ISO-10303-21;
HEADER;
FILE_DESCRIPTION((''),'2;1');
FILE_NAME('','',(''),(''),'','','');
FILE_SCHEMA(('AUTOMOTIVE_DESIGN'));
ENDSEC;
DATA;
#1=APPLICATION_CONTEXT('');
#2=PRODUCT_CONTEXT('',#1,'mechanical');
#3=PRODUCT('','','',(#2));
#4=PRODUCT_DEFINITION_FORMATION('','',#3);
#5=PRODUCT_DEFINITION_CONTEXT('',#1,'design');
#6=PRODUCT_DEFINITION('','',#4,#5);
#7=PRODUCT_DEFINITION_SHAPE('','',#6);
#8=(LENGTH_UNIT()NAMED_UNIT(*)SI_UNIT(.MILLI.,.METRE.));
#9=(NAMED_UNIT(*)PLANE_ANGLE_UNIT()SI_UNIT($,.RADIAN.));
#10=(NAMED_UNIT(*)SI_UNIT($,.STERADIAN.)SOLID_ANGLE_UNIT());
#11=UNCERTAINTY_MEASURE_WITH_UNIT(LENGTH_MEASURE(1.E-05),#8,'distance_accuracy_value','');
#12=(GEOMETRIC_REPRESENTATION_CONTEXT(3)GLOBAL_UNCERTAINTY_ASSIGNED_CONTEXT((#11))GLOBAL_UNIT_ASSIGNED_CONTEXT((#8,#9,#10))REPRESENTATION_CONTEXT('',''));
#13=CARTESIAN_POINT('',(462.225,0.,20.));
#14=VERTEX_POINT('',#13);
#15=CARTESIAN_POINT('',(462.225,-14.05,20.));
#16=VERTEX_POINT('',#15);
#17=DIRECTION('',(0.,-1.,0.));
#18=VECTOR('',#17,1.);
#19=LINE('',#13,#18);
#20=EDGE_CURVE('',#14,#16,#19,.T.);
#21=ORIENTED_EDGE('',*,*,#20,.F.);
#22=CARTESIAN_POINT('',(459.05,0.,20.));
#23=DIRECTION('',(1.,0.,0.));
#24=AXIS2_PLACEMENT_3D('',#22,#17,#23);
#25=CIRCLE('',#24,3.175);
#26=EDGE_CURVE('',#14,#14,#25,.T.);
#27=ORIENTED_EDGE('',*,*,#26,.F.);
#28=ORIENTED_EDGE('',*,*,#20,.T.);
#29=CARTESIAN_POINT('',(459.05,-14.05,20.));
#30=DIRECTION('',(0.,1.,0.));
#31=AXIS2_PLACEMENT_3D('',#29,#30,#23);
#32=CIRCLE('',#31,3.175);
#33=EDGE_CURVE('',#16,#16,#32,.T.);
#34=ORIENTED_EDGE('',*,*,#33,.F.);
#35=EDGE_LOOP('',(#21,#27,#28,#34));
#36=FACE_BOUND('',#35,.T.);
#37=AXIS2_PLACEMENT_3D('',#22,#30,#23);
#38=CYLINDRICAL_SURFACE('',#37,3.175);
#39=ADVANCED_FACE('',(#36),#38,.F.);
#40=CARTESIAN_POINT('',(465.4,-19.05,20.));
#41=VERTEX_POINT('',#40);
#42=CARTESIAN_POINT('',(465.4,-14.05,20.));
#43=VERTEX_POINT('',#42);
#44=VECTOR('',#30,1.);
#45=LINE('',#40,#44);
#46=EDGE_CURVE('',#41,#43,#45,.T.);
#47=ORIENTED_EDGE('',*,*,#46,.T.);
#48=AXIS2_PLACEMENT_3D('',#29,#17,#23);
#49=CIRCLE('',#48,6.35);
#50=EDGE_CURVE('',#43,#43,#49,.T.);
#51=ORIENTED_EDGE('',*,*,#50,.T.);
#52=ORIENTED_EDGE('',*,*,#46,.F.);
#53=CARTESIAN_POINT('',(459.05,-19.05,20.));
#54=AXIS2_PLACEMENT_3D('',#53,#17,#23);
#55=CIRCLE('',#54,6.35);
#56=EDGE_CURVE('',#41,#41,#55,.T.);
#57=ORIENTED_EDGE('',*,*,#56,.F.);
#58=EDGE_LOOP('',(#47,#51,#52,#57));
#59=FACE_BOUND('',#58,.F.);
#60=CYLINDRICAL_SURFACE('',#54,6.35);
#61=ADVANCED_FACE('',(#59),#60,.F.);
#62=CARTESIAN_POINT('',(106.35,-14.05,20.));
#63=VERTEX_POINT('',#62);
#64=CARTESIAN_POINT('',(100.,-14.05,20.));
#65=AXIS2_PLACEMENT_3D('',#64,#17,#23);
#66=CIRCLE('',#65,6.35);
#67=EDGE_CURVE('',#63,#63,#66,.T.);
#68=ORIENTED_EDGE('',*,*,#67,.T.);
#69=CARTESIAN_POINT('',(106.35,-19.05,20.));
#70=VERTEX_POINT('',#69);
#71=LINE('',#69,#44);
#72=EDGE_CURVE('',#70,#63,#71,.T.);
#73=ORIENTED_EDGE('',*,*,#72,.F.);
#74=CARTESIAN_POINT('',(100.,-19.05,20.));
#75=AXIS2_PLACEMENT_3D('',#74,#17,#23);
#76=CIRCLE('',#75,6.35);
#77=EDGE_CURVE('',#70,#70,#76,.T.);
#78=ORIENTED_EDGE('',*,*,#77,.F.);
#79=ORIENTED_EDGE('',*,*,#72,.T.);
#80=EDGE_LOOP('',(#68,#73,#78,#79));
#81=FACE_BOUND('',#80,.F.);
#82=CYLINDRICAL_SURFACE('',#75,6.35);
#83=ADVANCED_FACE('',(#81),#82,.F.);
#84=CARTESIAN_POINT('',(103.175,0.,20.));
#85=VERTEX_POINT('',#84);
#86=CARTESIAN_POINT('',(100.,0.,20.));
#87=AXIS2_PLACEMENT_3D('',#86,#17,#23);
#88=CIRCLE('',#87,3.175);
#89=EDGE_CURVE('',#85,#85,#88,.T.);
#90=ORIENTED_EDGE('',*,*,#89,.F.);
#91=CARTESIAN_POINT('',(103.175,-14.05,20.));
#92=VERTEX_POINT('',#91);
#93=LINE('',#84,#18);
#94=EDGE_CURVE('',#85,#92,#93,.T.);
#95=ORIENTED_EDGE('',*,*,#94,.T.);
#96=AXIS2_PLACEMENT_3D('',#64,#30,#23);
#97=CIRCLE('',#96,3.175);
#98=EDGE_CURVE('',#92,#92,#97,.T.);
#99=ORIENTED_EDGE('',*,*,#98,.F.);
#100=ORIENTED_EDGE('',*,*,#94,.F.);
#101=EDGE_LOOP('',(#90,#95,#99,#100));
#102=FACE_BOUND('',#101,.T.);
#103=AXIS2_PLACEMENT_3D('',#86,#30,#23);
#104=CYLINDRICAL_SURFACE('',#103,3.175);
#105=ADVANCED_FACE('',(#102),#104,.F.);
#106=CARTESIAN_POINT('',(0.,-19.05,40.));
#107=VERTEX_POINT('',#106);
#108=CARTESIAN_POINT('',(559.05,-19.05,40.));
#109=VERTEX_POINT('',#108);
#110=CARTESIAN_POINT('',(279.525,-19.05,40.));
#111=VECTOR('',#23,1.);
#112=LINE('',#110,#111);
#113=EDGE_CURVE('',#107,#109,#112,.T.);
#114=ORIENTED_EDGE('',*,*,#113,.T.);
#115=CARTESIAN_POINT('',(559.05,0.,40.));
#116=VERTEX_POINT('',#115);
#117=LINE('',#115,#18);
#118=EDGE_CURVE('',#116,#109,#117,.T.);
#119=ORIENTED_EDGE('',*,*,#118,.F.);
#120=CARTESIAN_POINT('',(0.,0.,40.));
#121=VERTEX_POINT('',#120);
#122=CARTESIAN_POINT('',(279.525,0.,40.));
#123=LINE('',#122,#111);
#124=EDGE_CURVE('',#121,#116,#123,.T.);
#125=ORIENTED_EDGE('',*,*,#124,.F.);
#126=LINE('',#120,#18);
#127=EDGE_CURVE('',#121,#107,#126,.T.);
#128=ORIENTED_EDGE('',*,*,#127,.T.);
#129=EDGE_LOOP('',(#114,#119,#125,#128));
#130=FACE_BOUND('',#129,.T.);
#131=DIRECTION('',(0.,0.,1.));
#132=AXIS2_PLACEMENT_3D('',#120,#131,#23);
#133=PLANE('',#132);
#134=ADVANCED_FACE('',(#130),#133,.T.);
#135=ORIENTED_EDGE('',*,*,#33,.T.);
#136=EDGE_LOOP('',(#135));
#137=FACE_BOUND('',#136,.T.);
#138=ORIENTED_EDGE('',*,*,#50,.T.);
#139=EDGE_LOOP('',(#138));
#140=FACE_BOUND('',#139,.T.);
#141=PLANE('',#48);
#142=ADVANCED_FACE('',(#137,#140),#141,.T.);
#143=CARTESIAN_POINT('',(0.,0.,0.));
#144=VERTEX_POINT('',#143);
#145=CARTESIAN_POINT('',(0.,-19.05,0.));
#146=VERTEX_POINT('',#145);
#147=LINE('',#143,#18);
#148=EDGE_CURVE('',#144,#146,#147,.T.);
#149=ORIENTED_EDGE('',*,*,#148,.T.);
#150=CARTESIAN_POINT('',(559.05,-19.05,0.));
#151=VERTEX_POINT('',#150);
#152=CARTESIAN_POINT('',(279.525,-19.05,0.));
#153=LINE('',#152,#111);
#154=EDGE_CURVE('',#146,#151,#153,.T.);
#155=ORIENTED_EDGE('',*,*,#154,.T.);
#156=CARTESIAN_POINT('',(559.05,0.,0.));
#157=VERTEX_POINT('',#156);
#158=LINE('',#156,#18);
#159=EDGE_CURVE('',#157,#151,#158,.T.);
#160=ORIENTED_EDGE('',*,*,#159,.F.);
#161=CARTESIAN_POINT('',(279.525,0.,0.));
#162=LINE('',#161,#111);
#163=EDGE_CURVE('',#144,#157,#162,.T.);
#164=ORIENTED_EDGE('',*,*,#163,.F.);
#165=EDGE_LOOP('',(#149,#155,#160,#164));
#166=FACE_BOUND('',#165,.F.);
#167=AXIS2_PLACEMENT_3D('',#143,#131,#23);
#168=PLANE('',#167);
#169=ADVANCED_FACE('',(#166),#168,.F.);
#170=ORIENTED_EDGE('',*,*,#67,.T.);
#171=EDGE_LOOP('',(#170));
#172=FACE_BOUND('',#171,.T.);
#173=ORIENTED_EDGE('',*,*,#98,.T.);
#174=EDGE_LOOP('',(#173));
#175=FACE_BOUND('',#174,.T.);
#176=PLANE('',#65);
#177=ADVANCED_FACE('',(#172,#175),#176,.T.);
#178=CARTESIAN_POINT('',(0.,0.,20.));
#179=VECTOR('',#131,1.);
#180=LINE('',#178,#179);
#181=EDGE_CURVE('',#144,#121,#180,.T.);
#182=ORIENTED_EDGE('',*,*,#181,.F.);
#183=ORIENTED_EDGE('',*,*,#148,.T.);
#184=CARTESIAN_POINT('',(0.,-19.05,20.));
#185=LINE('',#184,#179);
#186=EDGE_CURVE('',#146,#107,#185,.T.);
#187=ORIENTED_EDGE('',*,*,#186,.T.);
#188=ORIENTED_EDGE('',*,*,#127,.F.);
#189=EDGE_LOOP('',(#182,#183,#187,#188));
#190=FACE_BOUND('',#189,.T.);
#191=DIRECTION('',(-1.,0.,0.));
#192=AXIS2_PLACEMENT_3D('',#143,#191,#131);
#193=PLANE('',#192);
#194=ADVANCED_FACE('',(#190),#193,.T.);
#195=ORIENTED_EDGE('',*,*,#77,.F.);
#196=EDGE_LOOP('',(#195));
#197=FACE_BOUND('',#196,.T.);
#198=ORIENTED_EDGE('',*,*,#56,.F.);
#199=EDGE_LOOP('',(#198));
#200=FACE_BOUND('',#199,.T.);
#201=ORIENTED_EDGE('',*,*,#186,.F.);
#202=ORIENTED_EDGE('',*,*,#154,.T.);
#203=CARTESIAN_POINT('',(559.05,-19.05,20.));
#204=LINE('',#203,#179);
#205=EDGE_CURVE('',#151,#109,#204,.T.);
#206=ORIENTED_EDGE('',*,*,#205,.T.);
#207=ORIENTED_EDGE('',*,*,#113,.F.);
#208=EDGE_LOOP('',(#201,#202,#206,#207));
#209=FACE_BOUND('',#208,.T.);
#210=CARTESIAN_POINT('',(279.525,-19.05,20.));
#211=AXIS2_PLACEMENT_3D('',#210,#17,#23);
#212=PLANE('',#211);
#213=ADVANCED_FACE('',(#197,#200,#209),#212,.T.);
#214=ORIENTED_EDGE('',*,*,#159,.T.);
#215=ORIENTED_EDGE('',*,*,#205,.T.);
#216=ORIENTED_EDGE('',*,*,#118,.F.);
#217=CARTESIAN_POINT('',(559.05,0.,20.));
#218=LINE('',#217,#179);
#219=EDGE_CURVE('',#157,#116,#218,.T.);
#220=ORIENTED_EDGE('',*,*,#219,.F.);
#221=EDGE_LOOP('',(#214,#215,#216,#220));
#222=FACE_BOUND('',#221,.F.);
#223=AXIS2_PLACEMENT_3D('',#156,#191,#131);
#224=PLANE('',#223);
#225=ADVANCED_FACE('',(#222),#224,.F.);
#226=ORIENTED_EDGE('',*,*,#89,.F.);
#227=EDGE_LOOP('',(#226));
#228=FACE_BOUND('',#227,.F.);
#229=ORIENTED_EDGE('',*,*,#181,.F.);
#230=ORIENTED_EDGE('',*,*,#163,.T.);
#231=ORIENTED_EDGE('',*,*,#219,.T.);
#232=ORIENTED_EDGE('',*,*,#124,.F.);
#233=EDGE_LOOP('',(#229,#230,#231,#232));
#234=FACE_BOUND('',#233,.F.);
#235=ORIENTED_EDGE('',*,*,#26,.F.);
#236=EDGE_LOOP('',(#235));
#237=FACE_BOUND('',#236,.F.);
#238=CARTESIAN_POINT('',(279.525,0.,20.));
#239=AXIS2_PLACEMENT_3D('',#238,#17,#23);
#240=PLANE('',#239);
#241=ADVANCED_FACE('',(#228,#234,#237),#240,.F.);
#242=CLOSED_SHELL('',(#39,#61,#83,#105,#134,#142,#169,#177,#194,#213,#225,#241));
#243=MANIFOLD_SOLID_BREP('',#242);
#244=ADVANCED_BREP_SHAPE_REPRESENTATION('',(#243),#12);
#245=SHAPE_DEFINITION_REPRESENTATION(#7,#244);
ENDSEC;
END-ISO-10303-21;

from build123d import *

# Parameters (mm, degrees)
SKETCH_W     = 559.05
SKETCH_H     = 40
SKETCH_R     = 3.175
PAD_DEPTH    = 19.05
SKETCH001_R  = 6.35
POCKET_DEPTH = 5


with BuildPart() as part:
    # Sketch → Pad (new body)
    with BuildSketch(Plane.XZ):
        with Locations((279.525, 20)):
            Rectangle(SKETCH_W, SKETCH_H)
        with Locations((100, 20)):
            Circle(SKETCH_R, mode=Mode.SUBTRACT)
        with Locations((459.05, 20)):
            Circle(SKETCH_R, mode=Mode.SUBTRACT)
    extrude(amount=PAD_DEPTH)

    # Sketch001 (on Face8 of Pad) → Pocket (cut)
    with BuildSketch(Plane.XZ.offset(19.05)):
        with Locations((100, 20)):
            Circle(SKETCH001_R)
        with Locations((459.05, 20)):
            Circle(SKETCH001_R)
    extrude(amount=-POCKET_DEPTH, mode=Mode.SUBTRACT)


solid = part.part
